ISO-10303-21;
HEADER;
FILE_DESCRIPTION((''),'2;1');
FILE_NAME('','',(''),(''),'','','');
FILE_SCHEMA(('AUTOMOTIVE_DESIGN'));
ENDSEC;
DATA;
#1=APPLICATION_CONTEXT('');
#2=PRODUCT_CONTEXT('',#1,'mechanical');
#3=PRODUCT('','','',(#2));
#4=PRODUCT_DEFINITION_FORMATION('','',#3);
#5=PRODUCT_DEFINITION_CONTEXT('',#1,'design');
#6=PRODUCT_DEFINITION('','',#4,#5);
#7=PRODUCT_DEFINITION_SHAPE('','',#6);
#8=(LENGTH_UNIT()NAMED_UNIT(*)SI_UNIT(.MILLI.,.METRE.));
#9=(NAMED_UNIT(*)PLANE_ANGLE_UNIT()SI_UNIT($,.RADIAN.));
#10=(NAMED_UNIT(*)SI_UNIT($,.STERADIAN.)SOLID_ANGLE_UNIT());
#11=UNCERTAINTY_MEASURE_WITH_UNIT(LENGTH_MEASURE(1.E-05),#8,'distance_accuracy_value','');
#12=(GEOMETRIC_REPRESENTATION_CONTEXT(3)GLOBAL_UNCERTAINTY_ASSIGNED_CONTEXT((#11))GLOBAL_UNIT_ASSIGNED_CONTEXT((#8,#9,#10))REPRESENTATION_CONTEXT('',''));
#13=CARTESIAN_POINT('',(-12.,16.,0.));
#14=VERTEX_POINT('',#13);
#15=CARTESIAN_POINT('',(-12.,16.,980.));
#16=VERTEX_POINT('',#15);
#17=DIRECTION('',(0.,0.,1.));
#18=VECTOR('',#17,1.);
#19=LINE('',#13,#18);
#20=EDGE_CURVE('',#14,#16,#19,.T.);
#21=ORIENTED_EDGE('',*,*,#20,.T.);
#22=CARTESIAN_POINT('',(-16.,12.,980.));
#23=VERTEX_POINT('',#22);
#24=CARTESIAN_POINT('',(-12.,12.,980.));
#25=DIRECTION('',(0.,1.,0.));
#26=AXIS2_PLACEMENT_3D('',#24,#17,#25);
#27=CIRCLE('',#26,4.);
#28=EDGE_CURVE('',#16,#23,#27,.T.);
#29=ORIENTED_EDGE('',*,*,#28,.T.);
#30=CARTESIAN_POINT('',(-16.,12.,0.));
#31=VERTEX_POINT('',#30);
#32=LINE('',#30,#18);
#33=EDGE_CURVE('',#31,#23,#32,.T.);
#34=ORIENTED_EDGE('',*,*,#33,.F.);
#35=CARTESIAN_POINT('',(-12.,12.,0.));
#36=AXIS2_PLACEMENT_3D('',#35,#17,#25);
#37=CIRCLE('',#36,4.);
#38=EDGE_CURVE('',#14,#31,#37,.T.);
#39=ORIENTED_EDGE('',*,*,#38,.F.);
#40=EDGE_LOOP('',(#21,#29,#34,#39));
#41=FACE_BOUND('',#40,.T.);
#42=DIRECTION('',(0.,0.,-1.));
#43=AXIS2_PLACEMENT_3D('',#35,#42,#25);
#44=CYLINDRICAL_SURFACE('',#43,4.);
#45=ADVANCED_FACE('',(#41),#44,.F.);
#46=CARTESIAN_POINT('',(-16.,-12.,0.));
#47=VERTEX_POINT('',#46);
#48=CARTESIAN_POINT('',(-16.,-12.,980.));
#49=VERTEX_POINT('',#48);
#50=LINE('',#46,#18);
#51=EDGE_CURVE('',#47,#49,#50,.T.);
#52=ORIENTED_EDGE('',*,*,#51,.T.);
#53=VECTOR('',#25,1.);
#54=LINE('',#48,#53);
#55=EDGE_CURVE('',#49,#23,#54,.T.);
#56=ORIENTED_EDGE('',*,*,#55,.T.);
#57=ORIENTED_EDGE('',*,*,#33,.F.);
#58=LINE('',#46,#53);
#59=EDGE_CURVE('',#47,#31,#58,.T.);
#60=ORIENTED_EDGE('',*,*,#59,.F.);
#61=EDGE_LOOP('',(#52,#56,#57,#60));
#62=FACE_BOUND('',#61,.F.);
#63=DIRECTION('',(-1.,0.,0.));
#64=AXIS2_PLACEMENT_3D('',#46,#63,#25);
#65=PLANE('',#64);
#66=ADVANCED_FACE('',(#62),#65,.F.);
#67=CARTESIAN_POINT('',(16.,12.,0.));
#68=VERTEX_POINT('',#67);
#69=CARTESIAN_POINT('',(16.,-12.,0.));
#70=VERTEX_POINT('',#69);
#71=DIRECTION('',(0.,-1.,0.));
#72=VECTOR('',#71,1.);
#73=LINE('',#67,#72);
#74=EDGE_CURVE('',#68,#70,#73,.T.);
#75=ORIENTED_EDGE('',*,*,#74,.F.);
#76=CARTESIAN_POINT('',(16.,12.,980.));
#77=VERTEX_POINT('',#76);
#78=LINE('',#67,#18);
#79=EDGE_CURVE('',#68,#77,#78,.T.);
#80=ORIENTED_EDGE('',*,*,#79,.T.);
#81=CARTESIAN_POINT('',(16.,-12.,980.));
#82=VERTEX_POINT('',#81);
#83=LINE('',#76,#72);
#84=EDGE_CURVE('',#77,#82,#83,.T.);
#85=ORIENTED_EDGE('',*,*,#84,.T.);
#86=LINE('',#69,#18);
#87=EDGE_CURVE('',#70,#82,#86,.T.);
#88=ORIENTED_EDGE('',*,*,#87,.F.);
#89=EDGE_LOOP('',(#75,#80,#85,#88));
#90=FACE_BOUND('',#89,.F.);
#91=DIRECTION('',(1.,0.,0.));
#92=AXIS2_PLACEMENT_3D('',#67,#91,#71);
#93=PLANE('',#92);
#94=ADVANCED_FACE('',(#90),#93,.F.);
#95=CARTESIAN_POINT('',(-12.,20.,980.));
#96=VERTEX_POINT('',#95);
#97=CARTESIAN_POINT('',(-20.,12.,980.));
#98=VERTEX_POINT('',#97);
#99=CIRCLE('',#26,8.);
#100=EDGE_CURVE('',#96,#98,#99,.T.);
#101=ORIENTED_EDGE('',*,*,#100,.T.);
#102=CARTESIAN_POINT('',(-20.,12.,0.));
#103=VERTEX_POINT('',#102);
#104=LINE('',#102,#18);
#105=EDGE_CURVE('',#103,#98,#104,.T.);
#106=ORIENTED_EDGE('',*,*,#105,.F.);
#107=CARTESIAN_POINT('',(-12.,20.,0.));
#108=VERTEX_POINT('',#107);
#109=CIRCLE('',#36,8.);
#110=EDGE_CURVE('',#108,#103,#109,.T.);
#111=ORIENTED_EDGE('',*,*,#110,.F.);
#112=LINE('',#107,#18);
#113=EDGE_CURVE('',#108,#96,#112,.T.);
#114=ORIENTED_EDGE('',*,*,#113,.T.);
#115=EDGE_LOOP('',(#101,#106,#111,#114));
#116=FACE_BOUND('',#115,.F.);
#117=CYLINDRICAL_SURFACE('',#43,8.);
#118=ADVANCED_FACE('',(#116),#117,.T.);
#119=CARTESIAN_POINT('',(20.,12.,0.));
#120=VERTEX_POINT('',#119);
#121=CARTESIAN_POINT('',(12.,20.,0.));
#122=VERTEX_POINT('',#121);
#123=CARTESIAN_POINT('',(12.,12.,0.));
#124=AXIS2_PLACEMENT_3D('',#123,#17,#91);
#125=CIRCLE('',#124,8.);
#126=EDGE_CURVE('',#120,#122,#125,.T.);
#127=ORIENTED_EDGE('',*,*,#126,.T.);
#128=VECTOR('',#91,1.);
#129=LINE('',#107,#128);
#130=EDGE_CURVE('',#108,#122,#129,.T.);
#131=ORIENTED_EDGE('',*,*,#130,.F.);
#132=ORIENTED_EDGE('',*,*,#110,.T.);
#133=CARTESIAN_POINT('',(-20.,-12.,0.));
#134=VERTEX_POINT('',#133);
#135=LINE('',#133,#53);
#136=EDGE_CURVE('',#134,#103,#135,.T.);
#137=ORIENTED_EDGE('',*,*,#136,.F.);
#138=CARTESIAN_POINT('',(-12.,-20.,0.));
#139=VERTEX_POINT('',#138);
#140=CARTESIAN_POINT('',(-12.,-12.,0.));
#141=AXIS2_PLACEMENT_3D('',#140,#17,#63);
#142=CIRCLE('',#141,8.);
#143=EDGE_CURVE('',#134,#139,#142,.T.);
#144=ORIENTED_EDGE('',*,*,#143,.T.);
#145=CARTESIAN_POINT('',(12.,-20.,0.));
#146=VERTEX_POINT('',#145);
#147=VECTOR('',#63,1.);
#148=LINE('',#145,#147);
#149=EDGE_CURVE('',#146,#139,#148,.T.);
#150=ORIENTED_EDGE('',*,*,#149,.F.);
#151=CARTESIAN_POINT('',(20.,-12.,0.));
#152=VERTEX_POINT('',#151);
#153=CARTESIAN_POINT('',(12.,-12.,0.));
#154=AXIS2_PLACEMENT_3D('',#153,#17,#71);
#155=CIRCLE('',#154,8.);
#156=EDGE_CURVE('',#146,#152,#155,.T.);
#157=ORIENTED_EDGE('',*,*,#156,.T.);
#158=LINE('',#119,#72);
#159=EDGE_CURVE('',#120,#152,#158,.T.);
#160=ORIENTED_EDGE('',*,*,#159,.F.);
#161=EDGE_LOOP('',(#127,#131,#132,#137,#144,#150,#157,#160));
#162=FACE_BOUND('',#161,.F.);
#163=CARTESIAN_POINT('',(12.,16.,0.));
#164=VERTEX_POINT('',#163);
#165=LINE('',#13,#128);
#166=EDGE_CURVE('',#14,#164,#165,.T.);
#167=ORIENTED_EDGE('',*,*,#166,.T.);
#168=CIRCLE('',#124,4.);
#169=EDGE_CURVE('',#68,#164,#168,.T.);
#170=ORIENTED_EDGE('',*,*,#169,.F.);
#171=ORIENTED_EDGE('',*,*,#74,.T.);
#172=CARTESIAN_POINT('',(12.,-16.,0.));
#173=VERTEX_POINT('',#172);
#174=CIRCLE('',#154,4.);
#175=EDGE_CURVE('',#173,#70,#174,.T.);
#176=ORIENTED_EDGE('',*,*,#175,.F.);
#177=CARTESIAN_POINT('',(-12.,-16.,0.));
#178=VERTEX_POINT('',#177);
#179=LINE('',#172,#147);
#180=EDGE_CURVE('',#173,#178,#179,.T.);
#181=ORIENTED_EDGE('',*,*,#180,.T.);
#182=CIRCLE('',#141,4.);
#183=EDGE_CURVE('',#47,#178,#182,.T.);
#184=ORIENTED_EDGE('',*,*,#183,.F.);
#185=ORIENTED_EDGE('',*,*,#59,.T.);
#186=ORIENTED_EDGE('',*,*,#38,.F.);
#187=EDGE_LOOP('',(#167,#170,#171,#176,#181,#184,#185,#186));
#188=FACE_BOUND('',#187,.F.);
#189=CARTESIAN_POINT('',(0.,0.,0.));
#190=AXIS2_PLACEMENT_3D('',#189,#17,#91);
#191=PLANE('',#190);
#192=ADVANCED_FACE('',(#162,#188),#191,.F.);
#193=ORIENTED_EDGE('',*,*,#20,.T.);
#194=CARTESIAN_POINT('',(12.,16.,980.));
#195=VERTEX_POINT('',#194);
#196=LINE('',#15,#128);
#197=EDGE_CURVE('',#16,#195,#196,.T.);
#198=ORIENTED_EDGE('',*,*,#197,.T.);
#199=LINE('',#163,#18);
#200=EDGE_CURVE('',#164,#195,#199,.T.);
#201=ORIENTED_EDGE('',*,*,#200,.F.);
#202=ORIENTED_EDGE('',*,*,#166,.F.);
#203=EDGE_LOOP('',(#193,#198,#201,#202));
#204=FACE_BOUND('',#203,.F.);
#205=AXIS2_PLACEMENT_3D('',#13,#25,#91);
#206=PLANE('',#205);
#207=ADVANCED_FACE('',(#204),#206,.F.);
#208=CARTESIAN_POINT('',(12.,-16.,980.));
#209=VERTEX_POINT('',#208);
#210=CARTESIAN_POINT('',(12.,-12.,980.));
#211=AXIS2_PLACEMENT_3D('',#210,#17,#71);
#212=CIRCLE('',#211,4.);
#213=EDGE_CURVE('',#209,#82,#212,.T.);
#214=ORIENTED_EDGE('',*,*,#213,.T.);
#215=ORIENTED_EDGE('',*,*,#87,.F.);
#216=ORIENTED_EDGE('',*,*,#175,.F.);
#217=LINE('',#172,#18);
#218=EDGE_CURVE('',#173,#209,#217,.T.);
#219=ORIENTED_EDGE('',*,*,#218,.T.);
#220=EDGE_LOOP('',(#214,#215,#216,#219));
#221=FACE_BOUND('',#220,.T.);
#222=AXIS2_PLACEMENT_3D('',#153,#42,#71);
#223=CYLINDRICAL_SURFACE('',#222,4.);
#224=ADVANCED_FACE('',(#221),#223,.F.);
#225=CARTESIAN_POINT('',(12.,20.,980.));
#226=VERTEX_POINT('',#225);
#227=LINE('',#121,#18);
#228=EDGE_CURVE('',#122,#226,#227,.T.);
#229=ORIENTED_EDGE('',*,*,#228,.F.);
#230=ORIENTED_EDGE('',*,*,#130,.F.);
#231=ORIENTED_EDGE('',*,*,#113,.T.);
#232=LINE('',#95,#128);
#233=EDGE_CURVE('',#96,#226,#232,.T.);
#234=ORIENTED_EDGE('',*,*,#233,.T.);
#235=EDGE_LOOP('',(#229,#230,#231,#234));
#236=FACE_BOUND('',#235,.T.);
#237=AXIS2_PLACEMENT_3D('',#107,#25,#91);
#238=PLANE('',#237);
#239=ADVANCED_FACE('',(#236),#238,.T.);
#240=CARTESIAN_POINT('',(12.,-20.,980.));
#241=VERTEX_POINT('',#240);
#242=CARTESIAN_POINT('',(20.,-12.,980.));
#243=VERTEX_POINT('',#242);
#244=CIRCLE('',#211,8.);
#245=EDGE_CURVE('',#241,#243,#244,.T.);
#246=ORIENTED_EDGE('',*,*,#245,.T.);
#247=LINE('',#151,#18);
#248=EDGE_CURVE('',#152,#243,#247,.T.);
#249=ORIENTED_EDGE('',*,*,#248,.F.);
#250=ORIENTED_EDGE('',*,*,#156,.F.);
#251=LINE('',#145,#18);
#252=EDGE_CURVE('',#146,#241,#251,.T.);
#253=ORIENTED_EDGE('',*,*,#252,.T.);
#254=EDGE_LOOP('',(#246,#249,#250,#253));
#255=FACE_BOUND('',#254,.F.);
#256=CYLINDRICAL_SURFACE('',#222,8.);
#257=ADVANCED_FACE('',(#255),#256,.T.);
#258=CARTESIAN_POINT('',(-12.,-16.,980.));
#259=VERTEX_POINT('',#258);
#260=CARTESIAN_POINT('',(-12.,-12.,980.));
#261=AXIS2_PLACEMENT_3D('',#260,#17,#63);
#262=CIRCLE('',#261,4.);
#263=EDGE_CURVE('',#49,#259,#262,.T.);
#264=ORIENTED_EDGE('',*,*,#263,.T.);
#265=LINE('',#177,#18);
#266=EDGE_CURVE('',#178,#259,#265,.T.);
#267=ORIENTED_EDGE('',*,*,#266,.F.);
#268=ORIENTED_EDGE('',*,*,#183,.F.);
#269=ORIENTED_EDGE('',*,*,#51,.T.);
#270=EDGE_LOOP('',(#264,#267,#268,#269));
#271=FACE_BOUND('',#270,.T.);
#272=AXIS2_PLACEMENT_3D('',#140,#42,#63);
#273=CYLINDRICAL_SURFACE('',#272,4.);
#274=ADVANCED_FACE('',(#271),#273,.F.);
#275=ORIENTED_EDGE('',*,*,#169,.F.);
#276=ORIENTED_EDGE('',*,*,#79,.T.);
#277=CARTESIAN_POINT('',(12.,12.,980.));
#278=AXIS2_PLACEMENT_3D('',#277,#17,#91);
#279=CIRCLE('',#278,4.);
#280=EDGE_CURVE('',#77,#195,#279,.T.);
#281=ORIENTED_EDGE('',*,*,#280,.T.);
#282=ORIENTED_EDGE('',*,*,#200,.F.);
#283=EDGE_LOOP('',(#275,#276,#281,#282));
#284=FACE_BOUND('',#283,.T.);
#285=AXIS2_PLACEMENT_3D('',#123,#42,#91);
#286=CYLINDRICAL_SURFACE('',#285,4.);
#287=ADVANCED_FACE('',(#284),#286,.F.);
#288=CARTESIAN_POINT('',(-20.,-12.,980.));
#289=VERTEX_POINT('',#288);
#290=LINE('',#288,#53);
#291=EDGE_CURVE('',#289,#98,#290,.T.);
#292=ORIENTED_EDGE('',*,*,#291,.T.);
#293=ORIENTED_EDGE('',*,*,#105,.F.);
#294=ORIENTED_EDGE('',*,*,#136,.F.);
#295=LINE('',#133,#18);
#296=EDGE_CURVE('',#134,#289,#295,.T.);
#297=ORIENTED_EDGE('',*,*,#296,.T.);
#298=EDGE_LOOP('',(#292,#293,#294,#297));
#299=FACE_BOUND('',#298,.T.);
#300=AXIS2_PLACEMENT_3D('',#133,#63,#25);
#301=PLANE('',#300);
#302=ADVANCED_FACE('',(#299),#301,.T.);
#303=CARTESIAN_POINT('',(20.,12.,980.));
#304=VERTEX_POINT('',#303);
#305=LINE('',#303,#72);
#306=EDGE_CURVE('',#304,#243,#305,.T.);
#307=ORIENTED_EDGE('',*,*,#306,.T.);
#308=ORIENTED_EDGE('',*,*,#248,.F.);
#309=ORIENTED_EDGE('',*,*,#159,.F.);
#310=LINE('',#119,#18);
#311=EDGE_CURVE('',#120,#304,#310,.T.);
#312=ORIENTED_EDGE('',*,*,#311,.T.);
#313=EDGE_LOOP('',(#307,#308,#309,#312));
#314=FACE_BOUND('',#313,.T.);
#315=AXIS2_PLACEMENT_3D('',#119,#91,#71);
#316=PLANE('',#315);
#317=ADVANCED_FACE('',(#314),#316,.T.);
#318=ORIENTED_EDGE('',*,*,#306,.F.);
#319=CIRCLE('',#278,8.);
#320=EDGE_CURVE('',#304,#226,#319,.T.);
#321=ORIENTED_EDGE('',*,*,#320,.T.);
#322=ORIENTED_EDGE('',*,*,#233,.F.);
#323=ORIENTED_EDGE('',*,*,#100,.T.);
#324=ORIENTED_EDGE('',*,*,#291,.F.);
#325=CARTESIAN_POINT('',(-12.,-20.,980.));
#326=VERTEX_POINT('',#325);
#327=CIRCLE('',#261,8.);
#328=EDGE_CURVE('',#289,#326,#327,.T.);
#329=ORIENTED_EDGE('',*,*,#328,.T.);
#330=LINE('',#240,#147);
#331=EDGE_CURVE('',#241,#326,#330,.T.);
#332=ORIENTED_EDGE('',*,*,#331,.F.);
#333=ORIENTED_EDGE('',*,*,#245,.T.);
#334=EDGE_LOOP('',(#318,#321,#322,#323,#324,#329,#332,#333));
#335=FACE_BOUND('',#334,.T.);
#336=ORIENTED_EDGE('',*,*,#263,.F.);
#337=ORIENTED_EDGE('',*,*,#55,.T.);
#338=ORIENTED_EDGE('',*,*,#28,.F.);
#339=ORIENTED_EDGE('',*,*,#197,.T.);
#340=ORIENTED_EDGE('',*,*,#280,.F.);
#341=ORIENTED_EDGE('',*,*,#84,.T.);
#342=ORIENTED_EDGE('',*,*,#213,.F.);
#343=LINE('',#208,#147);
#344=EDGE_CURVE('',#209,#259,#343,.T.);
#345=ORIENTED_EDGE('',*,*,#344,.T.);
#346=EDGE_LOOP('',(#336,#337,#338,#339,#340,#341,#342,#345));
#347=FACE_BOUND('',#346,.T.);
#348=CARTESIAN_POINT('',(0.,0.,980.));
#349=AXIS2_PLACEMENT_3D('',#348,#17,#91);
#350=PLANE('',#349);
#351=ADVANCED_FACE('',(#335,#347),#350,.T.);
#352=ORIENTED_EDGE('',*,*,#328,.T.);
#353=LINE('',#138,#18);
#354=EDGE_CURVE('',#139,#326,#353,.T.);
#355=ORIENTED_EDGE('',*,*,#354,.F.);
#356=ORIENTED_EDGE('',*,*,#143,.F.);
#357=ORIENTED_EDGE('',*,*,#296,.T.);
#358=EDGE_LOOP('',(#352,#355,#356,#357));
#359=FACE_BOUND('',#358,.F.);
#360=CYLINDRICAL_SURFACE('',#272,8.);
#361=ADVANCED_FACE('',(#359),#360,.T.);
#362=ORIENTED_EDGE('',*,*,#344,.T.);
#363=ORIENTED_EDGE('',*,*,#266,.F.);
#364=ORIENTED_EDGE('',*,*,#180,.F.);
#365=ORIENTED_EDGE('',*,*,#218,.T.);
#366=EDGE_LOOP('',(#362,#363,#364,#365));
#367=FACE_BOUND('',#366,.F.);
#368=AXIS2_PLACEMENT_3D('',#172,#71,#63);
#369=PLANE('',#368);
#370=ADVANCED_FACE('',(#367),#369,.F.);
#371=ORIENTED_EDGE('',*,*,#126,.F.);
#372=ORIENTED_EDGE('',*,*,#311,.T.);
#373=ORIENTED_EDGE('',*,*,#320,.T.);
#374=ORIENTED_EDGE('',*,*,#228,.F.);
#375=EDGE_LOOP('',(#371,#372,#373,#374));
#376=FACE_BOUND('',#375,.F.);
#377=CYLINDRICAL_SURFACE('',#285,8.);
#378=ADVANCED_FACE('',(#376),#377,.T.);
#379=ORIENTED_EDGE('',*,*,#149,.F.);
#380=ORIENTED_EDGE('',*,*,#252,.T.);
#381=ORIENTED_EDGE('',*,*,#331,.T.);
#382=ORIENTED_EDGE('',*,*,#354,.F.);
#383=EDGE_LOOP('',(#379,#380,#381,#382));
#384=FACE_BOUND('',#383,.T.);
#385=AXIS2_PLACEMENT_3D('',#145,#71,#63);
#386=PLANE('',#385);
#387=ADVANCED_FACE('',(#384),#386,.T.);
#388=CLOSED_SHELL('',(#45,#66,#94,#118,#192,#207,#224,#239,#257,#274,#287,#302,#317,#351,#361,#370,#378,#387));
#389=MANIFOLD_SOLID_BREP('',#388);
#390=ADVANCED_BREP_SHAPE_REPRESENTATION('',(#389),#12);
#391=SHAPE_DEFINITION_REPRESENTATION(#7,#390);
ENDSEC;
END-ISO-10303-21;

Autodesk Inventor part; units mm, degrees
ref_plane "Start plane" through (0, 0, 0) normal (0, 0, 1) x (1, 0, 0)
ref_plane "End plane" through (0, 0, 980) normal (0, 0, 1) x (1, 0, 0)
sketch "Sketch" plane through (0, 0, 0) normal (0, 0, 1) x (1, 0, 0)
  line L0 (-20, -12) -> (-20, 12)
  line L1 (-12, 20) -> (12, 20)
  line L2 (20, 12) -> (20, -12)
  line L3 (12, -20) -> (-12, -20)
  arc A0 (-20, -12) -> (-12, -20) centre (-12, -12) ccw
  arc A1 (-12, 20) -> (-20, 12) centre (-12, 12) ccw
  arc A2 (20, 12) -> (12, 20) centre (12, 12) ccw
  arc A3 (12, -20) -> (20, -12) centre (12, -12) ccw
  arc A4 (-12, 16) -> (-16, 12) centre (-12, 12) ccw
  line L4 (-12, 16) -> (12, 16)
  arc A5 (16, 12) -> (12, 16) centre (12, 12) ccw
  line L5 (16, 12) -> (16, -12)
  arc A6 (12, -16) -> (16, -12) centre (12, -12) ccw
  line L6 (12, -16) -> (-12, -16)
  arc A7 (-16, -12) -> (-12, -16) centre (-12, -12) ccw
  line L7 (-16, -12) -> (-16, 12)
  line L8 (0, 30.3196) -> (0, -30.3196) construction
  line L9 (-30.3196, 0) -> (30.3196, 0) construction
  dimension "d7" = 8
  dimension "d10" = 40
  dimension "d11" = 40
  dimension "d12" = 4
  dimension "d15" = 20
  dimension "d16" = 20
extrude "Body" add sketch "Sketch" along normal up to surface (980 mm away) from surface at 0
sketch "Sketch3" plane through (0, 0, 0) normal (0, 0, 1) x (1, 0, 0)
  line L0 (0, 0) -> (10, 0)
ref_plane "Work Plane3" through (0, 0, 0) normal (0, -1, 0) x (1, 0, 0)
sketch "Sketch4" plane through (0, 0, 0) normal (0, -1, 0) x (1, 0, 0)
  line L0 (-2, 0) -> (12, 0)
  line L1 (-2, 980) -> (12, 980)
  dimension "d18" = 980
ref_plane "Work Plane4" through (0, -12, 980) normal (0, 0, 1) x (1, 0, 0)
split "Split1" plane through (0, -12, 980) removes the side toward (0, 0, 1)
equation "\"d7\" = G_IR"
equation "\"d10\" = G_H"
equation "\"d11\" = G_W"
equation "\"d12\" = G_T"
equation "\"d15\" = 0.5 * d10"
equation "\"d16\" = 0.5 * d11"
equation "\"d3\" = G_L"
equation "\"G_W\" = 40"
equation "\"G_H\" = 40"
equation "\"G_T\" = 4"
equation "\"G_IR\" = 8"
equation "\"G_L\" = d18"
equation "\"G_OFFSET_START\" = 0"
equation "\"G_OFFSET_END\" = -20"
equation "\"d14\" = G_OFFSET_END + B_L"
equation "\"B_L\" = 1000"
properties part number "DIN EN 10219-2 - 40 x 40 x 4  - 980" material "Steel, Mild"
